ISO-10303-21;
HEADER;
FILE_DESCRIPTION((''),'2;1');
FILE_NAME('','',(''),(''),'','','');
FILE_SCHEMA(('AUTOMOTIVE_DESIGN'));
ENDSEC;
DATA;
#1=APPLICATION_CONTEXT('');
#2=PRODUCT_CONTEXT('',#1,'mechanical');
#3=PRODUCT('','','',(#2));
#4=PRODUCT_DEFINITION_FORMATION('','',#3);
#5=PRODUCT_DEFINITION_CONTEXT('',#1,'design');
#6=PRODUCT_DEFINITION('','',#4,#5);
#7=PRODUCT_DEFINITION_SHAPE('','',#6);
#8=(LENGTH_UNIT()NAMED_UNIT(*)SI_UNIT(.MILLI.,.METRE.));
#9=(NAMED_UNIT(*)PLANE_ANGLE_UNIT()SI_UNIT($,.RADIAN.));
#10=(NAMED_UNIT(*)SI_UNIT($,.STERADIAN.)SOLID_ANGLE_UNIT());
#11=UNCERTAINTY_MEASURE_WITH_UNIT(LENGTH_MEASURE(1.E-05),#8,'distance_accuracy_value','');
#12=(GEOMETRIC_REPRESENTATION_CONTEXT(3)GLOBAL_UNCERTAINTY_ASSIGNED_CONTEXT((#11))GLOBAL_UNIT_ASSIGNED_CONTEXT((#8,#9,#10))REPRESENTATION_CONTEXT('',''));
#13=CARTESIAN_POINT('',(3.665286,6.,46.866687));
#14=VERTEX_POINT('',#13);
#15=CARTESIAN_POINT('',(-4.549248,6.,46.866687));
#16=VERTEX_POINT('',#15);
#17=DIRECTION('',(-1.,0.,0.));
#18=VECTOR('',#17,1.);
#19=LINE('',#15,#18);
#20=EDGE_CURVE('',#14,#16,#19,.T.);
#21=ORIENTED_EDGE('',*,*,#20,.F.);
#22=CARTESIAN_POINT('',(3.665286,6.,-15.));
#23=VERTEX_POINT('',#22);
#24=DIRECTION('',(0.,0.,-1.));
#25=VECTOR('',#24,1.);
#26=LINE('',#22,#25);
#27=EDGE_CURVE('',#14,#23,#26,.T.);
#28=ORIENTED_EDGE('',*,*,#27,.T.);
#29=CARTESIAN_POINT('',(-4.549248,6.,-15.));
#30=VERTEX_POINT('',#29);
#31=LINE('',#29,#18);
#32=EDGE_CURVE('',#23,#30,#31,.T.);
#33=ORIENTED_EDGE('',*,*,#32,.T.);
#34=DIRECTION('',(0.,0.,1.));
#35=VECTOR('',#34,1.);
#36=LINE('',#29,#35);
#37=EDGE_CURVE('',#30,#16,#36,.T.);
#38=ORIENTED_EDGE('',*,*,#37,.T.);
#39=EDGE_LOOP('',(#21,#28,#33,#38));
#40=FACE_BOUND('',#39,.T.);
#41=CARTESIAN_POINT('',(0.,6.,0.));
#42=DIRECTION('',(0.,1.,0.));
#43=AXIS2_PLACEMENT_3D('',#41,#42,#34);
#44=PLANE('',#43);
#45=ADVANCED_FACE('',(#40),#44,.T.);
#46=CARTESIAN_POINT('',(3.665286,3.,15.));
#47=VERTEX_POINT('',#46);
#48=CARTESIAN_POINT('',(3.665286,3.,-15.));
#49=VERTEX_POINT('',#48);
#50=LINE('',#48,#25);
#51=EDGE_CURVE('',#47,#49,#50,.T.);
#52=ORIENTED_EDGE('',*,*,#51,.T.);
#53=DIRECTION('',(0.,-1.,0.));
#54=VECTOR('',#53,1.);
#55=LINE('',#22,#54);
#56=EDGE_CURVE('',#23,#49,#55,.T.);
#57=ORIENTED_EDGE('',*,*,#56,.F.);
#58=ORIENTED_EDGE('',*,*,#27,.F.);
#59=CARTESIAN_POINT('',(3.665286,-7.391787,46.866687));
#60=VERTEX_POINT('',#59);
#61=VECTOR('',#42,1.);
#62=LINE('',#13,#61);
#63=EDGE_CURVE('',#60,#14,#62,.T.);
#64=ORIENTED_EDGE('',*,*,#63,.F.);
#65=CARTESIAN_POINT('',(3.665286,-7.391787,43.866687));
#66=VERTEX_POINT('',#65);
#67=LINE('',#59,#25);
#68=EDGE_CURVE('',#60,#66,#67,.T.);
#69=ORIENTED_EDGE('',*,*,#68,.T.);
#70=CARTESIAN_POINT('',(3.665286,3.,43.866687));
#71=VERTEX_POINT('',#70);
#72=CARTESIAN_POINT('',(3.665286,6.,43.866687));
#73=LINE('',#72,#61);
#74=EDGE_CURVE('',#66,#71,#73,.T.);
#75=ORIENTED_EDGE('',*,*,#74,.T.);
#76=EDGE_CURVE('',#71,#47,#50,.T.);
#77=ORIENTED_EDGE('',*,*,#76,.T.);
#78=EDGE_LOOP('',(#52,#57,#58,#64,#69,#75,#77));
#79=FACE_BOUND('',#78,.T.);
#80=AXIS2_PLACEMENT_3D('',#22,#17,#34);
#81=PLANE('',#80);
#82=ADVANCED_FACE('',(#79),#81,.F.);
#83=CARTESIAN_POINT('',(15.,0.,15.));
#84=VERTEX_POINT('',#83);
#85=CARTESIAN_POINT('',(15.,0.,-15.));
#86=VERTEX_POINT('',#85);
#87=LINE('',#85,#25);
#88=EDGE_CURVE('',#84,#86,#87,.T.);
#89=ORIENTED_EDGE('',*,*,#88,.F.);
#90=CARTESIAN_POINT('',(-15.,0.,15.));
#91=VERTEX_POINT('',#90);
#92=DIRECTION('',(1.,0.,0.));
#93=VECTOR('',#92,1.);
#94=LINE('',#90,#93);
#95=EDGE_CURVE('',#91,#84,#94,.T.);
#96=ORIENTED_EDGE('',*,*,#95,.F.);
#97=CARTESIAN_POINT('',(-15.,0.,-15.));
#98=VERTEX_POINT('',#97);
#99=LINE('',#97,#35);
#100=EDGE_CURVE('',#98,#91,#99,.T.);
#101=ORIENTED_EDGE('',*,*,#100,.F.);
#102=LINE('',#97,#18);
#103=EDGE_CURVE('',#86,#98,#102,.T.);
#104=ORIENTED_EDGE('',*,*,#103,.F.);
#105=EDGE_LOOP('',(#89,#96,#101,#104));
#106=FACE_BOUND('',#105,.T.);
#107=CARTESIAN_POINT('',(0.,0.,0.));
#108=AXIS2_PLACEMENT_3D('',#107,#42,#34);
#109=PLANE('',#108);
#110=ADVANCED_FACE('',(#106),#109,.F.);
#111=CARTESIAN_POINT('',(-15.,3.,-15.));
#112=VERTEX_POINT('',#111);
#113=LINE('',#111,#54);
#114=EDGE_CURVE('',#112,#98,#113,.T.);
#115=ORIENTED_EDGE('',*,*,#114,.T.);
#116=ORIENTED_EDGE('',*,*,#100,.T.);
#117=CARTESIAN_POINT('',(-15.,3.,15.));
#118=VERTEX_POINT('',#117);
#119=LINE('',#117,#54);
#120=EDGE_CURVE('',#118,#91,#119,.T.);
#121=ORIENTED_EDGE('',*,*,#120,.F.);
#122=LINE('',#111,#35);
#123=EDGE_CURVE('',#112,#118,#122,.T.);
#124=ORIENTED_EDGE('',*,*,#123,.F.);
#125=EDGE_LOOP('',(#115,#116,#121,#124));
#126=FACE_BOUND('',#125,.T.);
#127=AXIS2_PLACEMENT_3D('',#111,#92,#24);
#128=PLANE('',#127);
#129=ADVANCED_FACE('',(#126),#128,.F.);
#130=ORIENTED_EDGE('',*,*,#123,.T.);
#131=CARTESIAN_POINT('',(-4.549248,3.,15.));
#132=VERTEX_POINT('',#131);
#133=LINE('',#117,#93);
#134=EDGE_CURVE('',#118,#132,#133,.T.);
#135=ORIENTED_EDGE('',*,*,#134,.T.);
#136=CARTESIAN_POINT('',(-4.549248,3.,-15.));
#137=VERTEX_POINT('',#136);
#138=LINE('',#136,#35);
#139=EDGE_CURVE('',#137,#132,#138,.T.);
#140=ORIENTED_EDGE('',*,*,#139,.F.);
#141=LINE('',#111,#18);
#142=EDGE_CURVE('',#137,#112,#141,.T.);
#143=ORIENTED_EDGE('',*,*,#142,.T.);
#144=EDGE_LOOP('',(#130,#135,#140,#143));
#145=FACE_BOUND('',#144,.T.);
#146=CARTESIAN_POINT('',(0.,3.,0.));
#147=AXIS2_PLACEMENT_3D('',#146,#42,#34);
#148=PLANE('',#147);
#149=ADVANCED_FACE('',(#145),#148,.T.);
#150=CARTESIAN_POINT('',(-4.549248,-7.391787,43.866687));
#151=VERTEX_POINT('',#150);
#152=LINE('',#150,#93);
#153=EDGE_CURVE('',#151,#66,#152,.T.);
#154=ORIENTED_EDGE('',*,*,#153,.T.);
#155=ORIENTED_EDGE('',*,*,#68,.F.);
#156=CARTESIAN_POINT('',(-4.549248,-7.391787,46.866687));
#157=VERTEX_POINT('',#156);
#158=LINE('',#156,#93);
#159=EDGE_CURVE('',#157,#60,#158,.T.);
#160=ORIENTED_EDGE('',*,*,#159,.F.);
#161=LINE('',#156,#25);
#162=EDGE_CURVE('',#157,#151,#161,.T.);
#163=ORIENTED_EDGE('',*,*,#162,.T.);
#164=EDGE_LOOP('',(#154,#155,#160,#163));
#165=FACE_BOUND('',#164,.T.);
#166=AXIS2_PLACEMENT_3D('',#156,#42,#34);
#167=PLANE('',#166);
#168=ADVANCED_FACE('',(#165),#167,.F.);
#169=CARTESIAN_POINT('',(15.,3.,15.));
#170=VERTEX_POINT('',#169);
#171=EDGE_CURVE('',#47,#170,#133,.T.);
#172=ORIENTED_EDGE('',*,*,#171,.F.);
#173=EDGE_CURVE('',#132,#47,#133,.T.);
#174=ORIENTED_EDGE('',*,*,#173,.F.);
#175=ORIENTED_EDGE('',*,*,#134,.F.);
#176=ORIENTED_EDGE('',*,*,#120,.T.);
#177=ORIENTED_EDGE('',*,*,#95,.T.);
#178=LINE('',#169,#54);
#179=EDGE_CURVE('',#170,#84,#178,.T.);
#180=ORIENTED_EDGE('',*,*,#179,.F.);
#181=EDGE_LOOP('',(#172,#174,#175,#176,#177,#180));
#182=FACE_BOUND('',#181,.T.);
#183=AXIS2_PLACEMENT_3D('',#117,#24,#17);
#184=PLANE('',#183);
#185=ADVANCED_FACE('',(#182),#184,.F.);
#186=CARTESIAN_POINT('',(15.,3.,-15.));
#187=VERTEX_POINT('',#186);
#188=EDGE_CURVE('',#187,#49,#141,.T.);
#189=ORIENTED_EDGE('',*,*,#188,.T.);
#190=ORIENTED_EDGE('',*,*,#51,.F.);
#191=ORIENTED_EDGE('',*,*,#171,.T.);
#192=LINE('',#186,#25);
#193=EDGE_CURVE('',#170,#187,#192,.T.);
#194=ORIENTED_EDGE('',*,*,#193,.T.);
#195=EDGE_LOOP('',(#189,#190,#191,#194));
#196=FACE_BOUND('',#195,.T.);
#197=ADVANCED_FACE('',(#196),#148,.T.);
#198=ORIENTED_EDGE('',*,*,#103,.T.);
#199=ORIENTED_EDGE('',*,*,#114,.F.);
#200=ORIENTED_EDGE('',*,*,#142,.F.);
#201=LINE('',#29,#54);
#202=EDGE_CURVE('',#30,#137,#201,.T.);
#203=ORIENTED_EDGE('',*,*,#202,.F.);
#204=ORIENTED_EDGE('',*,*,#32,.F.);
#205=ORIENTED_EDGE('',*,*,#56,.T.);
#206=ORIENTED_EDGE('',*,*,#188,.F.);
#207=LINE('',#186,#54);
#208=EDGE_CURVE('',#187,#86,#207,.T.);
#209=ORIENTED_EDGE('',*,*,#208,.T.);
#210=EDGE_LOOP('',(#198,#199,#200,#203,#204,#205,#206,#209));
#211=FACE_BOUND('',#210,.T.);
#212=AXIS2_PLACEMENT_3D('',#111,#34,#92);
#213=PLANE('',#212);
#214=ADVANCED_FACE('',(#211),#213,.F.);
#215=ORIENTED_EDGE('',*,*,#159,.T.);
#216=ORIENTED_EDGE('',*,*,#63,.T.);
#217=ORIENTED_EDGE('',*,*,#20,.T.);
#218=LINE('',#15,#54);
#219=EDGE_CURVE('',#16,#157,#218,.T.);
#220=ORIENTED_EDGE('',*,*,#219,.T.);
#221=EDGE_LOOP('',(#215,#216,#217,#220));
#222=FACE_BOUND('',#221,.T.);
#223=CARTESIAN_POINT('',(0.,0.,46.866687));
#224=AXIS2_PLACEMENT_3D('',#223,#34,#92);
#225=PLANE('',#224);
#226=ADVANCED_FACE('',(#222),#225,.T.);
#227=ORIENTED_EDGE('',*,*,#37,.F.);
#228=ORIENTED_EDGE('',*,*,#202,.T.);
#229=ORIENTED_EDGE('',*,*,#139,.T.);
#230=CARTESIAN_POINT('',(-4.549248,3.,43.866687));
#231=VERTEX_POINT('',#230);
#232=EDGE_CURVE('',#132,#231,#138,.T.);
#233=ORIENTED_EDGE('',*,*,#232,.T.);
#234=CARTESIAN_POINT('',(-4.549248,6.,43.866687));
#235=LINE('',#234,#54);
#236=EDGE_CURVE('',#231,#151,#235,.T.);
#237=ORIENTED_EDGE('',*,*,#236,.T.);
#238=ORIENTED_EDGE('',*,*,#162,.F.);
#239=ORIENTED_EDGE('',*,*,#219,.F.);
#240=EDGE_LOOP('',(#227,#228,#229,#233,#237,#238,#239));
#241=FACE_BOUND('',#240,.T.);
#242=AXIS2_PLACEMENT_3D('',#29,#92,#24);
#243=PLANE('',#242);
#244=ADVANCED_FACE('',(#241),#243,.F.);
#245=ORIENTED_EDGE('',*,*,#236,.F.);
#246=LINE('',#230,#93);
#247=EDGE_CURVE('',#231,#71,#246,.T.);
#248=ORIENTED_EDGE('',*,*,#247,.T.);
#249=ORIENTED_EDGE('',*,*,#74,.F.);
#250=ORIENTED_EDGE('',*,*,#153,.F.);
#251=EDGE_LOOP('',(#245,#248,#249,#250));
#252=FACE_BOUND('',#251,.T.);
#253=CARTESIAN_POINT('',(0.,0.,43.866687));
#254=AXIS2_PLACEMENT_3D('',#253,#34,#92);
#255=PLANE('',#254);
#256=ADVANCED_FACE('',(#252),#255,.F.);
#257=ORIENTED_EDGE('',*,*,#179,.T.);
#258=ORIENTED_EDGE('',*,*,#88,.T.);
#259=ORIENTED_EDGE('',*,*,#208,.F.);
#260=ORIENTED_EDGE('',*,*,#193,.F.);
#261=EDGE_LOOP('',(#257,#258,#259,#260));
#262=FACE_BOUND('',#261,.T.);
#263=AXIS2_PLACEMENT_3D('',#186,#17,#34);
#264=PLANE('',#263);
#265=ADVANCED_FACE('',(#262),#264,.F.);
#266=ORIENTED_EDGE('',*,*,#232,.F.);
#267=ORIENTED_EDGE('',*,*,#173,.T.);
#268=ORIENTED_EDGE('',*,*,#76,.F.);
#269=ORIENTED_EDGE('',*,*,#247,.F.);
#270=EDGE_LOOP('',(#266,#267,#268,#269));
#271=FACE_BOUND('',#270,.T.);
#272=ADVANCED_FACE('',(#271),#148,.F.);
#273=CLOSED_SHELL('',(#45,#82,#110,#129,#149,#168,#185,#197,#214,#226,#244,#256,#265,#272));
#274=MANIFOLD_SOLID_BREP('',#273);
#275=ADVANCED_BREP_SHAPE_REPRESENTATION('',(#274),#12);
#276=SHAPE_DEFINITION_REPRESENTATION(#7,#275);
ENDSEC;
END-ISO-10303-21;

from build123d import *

# Parameters (mm, degrees)
CROQUIS1_W              = 30
CROQUIS1_H              = 30
SALIENTE_EXTRUIR1_DEPTH = 3
CROQUIS2_W              = 8.214533593
CROQUIS2_H              = 58.866686573
SALIENTE_EXTRUIR2_DEPTH = 3
CROQUIS3_W              = 8.214533593
CROQUIS3_H              = 13.391786962
SALIENTE_EXTRUIR3_DEPTH = 3


with BuildPart() as part:
    # Croquis1 → Saliente-Extruir1 (new body)
    with BuildSketch(Plane(origin=(0, 0, 0), x_dir=(1, 0, 0), z_dir=(0, 1, 0))):
        Rectangle(CROQUIS1_W, CROQUIS1_H)
    extrude(amount=SALIENTE_EXTRUIR1_DEPTH)

    # Croquis2 → Saliente-Extruir2 (add)
    with BuildSketch(Plane(origin=(0, 3, 0), x_dir=(1, 0, 0), z_dir=(0, 1, 0))):
        with Locations((-0.441980957, -14.433343287)):
            Rectangle(CROQUIS2_W, CROQUIS2_H)
    extrude(amount=SALIENTE_EXTRUIR2_DEPTH)

    # Croquis3 → Saliente-Extruir3 (add)
    with BuildSketch(Plane.XY.offset(43.866686573)):
        with Locations((-0.441980957, -0.695893481)):
            Rectangle(CROQUIS3_W, CROQUIS3_H)
    extrude(amount=SALIENTE_EXTRUIR3_DEPTH)


solid = part.part
